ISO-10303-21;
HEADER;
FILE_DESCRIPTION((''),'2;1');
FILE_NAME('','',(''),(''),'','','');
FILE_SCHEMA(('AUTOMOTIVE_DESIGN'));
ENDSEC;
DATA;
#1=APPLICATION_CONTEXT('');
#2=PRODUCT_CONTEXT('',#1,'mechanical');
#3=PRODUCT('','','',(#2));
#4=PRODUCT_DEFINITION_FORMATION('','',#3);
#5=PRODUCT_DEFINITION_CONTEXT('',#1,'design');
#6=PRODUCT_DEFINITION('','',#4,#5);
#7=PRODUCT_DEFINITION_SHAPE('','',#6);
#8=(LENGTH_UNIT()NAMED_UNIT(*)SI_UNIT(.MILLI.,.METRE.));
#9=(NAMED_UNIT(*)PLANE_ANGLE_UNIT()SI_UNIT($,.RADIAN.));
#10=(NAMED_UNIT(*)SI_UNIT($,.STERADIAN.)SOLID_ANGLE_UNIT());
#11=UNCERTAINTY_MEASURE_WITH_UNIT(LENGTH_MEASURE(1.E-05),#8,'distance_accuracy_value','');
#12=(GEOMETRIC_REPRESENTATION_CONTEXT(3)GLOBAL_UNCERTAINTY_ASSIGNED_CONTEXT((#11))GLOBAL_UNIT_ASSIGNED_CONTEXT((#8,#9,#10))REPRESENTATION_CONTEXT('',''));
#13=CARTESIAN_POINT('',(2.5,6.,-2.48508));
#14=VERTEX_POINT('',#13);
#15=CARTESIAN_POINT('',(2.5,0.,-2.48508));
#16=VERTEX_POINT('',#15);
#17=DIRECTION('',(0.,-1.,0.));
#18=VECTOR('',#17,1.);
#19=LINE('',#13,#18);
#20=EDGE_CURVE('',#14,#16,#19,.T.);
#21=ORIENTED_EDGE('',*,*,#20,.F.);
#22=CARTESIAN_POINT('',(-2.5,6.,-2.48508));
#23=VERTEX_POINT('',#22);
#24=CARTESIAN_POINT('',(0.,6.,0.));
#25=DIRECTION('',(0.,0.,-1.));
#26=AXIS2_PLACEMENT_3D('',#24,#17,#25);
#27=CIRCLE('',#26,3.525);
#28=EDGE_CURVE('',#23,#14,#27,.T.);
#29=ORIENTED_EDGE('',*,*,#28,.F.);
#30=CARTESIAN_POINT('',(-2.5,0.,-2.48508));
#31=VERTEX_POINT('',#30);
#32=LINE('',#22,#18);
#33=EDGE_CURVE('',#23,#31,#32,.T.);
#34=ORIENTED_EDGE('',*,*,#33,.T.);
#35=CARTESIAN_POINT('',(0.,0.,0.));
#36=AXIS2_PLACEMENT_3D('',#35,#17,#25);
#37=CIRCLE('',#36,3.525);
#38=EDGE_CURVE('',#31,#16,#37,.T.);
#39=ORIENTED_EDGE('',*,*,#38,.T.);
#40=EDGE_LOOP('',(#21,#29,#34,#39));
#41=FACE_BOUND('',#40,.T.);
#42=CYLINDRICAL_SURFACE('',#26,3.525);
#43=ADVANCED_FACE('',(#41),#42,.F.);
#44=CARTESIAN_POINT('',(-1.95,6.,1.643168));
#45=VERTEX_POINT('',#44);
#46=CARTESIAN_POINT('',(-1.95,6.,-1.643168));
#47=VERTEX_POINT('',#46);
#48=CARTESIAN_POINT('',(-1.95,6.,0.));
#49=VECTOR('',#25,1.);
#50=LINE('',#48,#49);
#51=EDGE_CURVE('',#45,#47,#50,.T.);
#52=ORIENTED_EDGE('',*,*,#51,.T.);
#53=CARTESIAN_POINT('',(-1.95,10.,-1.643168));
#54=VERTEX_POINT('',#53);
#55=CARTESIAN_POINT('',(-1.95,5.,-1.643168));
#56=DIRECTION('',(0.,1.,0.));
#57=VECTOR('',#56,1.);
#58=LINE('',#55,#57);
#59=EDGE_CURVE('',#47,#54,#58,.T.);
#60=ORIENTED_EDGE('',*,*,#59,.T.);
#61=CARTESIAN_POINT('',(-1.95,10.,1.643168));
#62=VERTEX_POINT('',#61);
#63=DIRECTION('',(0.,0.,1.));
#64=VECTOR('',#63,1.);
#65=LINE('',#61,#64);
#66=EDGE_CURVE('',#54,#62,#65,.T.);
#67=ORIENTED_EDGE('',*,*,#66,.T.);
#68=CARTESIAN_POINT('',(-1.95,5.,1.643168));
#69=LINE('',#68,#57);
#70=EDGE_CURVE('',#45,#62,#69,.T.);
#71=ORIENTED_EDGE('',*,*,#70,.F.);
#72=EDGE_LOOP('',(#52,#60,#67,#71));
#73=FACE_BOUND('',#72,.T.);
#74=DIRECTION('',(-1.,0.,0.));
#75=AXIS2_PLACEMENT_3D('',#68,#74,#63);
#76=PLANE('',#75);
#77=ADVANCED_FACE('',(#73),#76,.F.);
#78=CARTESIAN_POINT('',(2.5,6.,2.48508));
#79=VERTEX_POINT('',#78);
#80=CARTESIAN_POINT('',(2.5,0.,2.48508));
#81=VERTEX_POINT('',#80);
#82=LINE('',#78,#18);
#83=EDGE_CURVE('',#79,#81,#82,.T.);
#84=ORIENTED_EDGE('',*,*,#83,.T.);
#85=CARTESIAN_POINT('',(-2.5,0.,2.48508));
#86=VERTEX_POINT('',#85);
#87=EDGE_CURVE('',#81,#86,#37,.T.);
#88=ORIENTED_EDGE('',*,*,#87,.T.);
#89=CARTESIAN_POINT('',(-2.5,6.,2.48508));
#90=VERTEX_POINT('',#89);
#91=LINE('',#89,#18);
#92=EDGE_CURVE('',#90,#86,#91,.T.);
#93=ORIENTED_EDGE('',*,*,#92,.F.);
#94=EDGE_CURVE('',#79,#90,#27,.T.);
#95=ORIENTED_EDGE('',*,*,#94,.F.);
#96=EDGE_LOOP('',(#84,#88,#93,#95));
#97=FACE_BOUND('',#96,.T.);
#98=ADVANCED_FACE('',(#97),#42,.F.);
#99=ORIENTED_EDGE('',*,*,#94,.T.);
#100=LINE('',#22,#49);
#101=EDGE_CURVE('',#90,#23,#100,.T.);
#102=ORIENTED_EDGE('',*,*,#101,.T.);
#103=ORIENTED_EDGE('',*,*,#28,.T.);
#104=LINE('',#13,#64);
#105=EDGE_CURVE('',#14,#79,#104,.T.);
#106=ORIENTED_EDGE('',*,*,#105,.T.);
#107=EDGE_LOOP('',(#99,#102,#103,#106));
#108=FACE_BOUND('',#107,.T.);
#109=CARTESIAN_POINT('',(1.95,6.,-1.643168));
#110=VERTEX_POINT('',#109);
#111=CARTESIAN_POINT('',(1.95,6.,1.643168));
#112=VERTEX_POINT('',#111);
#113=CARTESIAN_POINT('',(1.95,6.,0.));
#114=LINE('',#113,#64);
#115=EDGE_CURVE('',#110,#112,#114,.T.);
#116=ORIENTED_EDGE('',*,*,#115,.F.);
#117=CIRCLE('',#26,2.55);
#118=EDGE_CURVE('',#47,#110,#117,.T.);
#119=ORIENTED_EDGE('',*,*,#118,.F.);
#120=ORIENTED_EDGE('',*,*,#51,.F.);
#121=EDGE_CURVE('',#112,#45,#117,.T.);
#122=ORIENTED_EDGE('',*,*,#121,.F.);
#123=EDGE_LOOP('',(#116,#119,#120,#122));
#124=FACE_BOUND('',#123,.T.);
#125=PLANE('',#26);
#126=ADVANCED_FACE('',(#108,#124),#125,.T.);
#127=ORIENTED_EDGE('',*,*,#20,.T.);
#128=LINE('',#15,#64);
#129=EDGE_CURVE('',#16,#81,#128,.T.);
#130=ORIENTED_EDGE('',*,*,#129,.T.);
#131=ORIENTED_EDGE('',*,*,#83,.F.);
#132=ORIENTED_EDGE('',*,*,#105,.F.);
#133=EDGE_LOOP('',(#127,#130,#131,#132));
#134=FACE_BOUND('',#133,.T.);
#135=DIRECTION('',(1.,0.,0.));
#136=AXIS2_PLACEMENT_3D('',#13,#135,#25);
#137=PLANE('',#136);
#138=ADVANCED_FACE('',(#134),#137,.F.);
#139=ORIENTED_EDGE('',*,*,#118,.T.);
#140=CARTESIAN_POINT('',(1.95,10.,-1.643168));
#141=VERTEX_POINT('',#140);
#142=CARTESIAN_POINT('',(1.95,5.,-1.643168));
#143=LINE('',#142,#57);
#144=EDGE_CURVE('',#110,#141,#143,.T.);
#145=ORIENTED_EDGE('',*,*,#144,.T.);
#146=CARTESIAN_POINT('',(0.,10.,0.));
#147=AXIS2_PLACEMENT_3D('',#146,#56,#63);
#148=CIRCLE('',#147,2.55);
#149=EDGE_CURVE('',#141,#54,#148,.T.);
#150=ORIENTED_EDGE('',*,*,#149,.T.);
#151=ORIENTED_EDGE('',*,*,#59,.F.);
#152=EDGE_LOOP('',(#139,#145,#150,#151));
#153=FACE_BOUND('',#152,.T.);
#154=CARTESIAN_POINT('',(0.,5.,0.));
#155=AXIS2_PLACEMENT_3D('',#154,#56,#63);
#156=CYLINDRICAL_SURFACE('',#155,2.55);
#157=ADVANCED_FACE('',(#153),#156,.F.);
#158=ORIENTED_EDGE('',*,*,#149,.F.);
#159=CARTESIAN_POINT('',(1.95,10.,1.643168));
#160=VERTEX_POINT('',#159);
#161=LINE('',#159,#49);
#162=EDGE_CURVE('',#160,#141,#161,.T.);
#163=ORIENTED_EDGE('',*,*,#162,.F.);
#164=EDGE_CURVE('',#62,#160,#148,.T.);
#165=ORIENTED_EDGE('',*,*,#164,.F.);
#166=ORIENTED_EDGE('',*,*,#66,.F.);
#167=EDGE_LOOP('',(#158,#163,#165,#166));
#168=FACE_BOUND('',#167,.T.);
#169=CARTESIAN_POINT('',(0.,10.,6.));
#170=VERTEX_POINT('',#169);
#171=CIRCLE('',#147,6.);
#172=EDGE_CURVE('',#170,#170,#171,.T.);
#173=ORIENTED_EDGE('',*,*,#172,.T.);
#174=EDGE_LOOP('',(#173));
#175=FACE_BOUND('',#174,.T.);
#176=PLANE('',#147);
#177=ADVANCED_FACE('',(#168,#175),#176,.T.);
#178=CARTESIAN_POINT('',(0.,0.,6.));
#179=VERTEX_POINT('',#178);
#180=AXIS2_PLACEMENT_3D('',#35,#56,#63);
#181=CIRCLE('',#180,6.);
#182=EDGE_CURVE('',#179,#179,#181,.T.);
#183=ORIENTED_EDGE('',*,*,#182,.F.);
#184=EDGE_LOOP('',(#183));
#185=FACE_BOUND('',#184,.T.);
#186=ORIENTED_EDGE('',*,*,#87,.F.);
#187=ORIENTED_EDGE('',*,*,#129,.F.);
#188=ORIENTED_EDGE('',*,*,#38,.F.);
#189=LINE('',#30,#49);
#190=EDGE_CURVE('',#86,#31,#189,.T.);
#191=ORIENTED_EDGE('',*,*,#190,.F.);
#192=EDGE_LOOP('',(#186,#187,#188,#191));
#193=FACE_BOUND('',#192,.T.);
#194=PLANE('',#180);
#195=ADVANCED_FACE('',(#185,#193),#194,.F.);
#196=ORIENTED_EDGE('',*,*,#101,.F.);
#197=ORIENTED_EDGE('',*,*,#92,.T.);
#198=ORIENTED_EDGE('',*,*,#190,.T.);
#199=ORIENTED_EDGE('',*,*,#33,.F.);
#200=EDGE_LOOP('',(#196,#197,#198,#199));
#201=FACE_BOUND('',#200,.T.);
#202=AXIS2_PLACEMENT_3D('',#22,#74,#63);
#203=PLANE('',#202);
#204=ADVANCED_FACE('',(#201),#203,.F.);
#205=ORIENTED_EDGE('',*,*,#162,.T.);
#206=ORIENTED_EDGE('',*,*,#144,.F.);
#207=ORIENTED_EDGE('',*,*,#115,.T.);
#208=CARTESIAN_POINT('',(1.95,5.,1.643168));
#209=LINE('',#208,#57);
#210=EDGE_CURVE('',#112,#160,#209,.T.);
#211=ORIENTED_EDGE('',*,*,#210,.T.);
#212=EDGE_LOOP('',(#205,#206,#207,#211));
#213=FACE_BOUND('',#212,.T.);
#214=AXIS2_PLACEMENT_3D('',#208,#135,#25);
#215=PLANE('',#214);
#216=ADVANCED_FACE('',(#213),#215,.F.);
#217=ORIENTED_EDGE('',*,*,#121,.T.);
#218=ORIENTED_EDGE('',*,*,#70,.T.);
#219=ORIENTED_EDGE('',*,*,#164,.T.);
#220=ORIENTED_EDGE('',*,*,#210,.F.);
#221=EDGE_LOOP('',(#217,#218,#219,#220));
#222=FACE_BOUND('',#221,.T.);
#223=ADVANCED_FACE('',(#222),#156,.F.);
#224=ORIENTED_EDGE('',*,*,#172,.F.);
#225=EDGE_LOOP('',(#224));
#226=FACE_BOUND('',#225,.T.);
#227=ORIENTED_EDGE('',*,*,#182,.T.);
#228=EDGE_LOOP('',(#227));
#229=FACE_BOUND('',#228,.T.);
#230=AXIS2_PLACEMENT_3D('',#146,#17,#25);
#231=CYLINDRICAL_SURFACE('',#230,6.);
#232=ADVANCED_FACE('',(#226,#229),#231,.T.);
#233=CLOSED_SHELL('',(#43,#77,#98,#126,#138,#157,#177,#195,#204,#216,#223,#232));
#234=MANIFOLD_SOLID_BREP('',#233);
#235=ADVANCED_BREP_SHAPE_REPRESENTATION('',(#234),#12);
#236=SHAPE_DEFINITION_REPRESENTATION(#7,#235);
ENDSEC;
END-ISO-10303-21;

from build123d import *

# Parameters (mm, degrees)
SKETCH1_R           = 6
BOSS_EXTRUDE1_DEPTH = 10
CUT_EXTRUDE1_DEPTH  = 6
CUT_EXTRUDE2_DEPTH  = 5


with BuildPart() as part:
    # Sketch1 → Boss-Extrude1 (new body)
    with BuildSketch(Plane(origin=(0, 0, 0), x_dir=(1, 0, 0), z_dir=(0, 1, 0))):
        with Locations(Location((0, 0, 0), (0, 0, 270))):
            Circle(SKETCH1_R)
    extrude(amount=BOSS_EXTRUDE1_DEPTH)

    # Sketch3 → Cut-Extrude1 (cut)
    with BuildSketch(Plane.XZ):
        with BuildLine():
            Line((2.5, -2.485080482), (2.5, 2.485080482))
            ThreePointArc((2.5, 2.485080482), (0, 3.525), (-2.5, 2.485080482))
            Line((-2.5, 2.485080482), (-2.5, -2.485080482))
            ThreePointArc((-2.5, -2.485080482), (0, -3.525), (2.5, -2.485080482))
        make_face()
    extrude(amount=-CUT_EXTRUDE1_DEPTH, mode=Mode.SUBTRACT)

    # Sketch2 → Cut-Extrude2 (cut)
    with BuildSketch(Plane(origin=(0, 10, 0), x_dir=(1, 0, 0), z_dir=(0, 1, 0))):
        with BuildLine():
            Line((1.95, -1.643167673), (1.95, 1.643167673))
            ThreePointArc((1.95, 1.643167673), (0, 2.55), (-1.95, 1.643167673))
            Line((-1.95, 1.643167673), (-1.95, -1.643167673))
            ThreePointArc((-1.95, -1.643167673), (0, -2.55), (1.95, -1.643167673))
        make_face()
    extrude(amount=-CUT_EXTRUDE2_DEPTH, mode=Mode.SUBTRACT)


solid = part.part
